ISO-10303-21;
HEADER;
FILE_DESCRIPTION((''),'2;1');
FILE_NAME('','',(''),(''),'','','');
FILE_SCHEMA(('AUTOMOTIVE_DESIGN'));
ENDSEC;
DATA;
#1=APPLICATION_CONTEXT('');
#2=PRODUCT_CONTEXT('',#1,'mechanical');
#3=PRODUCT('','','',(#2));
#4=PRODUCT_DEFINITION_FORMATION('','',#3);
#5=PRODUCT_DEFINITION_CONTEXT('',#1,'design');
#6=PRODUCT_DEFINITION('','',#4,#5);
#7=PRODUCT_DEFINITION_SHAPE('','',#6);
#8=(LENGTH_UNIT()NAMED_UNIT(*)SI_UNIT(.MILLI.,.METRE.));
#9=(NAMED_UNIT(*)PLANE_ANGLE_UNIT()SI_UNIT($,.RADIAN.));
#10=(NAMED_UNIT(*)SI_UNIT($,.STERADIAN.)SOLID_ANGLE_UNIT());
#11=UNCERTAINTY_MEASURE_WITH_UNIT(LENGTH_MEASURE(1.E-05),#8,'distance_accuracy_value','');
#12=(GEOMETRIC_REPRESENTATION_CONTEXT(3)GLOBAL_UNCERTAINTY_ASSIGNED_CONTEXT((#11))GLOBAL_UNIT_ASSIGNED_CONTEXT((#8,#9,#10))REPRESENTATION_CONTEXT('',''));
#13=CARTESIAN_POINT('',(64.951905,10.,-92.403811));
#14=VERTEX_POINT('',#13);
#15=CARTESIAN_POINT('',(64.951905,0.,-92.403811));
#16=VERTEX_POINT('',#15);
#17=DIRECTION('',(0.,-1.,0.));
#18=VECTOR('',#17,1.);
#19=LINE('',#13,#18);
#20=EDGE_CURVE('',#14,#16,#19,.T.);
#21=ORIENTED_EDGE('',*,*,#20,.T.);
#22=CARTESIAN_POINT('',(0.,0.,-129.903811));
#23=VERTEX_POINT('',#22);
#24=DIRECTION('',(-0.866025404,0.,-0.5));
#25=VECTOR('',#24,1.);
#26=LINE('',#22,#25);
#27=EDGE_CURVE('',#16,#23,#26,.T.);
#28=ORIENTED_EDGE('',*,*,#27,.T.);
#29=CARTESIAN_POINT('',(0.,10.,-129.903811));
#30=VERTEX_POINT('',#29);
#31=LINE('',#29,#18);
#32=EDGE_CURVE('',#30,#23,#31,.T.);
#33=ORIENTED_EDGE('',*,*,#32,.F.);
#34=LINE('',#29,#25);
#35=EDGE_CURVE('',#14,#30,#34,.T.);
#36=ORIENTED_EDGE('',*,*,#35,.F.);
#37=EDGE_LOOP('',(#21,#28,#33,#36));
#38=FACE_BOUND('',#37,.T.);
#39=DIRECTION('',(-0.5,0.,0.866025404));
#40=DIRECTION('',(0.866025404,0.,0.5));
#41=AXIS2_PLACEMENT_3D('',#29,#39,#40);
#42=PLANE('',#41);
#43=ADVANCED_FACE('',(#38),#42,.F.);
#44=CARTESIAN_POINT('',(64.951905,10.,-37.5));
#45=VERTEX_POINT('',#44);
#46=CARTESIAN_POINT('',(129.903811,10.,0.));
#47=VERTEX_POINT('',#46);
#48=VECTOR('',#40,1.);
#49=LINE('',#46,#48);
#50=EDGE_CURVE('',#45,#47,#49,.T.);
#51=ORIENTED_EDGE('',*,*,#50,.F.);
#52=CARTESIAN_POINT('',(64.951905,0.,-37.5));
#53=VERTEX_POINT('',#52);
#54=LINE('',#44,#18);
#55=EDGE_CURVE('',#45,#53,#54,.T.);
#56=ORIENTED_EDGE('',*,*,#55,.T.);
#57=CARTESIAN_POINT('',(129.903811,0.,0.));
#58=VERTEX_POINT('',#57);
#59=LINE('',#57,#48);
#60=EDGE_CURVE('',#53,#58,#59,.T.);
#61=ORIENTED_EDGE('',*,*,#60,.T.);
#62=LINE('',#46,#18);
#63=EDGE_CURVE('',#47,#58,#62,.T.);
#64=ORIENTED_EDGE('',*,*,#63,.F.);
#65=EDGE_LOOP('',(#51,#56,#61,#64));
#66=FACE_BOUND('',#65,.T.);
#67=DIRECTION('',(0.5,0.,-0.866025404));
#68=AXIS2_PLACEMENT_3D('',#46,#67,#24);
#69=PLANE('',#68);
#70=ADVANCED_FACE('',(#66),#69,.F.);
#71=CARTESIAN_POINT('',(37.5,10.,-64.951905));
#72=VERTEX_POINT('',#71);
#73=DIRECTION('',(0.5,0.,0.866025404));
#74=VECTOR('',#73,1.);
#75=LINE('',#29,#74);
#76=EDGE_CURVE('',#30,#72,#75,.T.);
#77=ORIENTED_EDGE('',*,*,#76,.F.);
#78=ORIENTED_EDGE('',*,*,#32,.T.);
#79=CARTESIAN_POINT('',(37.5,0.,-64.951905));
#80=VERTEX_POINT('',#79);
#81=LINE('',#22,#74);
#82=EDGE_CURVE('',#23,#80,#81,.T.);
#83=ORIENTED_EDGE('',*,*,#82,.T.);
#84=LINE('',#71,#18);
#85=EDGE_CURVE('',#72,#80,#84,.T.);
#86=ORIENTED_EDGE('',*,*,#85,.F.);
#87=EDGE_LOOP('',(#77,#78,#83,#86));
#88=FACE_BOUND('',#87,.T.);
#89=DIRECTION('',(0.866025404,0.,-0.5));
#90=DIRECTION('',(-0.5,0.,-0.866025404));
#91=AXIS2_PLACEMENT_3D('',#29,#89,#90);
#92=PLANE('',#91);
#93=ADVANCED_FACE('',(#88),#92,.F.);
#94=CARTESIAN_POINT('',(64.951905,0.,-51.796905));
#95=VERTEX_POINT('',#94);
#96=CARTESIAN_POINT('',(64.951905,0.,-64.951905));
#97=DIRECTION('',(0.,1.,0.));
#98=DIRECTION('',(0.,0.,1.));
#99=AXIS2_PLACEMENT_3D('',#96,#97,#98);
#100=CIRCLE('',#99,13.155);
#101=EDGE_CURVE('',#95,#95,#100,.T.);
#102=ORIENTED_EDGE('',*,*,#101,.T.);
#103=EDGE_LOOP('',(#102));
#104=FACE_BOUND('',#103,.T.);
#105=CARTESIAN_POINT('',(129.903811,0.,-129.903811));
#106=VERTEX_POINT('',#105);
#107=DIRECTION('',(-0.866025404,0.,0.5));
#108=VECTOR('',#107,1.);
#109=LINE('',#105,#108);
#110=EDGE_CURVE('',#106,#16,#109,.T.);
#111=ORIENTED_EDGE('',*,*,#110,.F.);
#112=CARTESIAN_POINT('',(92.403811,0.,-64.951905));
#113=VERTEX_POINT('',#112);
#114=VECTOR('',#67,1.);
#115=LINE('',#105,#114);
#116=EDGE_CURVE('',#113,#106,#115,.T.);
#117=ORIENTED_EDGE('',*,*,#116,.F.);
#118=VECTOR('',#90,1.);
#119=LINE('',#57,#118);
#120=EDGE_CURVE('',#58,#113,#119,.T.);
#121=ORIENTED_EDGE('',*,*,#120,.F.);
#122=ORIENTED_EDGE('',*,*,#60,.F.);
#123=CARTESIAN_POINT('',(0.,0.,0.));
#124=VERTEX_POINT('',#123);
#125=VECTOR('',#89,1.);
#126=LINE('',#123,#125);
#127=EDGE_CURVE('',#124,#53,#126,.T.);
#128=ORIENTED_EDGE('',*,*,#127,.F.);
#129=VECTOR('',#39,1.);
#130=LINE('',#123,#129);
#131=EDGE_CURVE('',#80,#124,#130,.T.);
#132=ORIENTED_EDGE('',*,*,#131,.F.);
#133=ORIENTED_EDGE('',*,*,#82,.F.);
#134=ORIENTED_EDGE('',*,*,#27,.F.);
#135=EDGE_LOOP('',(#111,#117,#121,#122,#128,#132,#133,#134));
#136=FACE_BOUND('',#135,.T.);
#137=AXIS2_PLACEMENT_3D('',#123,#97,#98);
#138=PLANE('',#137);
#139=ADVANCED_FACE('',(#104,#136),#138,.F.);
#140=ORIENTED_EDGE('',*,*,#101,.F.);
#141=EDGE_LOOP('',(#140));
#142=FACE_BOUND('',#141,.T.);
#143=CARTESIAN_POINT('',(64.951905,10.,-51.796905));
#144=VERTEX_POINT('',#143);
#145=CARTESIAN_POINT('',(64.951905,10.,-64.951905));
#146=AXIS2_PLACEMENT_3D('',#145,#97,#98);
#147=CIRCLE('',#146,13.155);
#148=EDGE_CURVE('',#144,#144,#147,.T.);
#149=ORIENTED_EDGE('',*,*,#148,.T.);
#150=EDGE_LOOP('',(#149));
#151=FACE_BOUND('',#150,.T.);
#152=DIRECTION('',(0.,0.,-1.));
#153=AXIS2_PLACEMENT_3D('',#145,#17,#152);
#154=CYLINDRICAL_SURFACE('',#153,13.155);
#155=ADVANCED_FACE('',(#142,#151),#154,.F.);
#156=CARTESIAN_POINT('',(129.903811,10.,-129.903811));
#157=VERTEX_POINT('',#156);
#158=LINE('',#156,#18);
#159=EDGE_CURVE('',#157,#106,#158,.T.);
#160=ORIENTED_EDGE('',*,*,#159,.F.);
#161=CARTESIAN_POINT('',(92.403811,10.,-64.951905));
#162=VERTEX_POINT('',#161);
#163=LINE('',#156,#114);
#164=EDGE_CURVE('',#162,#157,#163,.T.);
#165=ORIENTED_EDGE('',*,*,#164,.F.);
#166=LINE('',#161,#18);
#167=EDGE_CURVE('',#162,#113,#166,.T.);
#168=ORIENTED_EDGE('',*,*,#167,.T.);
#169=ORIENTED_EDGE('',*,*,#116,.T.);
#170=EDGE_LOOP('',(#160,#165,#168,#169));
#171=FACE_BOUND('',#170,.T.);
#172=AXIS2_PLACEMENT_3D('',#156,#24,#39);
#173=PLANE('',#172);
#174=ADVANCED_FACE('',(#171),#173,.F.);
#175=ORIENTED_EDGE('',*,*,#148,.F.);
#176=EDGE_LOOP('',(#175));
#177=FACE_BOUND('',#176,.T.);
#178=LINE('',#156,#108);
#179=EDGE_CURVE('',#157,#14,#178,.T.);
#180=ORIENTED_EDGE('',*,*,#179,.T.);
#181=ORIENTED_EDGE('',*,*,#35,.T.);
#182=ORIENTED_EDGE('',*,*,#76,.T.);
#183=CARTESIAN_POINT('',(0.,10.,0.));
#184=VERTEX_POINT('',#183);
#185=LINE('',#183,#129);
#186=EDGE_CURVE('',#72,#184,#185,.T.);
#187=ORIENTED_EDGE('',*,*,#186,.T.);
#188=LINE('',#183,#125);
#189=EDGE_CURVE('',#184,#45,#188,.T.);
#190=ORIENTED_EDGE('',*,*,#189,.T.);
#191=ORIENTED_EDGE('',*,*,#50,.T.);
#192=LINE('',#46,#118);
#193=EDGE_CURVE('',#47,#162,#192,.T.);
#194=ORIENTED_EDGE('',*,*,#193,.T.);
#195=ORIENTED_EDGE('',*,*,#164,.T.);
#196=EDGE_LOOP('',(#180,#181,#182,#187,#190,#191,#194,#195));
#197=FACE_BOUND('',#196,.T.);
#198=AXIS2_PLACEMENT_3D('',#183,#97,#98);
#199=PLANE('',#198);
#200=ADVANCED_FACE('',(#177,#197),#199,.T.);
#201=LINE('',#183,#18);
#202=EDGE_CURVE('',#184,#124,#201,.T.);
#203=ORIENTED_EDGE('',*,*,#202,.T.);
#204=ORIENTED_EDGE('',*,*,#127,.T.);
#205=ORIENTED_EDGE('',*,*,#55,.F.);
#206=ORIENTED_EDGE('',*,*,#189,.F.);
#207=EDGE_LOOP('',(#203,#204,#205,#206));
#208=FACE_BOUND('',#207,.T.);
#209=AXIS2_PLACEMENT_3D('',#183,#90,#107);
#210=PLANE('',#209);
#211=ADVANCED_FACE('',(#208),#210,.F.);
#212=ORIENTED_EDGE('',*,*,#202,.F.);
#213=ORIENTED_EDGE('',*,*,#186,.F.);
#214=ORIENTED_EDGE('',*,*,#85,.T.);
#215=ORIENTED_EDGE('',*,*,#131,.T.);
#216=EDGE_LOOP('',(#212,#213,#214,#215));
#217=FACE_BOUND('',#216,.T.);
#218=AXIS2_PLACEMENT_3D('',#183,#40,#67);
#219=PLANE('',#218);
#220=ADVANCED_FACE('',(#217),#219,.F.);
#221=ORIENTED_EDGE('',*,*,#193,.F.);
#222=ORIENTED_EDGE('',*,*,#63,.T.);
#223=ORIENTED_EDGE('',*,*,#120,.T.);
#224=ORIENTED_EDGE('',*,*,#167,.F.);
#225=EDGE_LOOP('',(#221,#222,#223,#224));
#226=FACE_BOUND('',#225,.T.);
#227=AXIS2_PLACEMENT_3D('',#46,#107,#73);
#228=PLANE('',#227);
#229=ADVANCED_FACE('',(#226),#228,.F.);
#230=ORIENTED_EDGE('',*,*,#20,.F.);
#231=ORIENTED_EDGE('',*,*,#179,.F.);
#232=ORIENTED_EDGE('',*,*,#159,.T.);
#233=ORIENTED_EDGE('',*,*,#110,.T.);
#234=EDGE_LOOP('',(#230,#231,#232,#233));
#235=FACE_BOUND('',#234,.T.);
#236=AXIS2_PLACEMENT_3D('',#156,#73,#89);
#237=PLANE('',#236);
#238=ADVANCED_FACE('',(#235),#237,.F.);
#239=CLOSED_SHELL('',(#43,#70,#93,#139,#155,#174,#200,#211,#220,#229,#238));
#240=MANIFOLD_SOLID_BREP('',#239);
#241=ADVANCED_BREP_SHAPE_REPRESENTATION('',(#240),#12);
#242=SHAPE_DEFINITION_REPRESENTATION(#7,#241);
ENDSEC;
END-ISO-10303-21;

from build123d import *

# Parameters (mm, degrees)
SKETCH1_R           = 13.155
BOSS_EXTRUDE1_DEPTH = 10


with BuildPart() as part:
    # Sketch1 → Boss-Extrude1 (new body)
    with BuildSketch(Plane(origin=(0, 0, 0), x_dir=(1, 0, 0), z_dir=(0, 1, 0))):
        Polygon((0, 0), (37.5, 64.951905284), (0, 129.903810568), (64.951905284, 92.403810568), (129.903810568, 129.903810568), (92.403810568, 64.951905284), (129.903810568, 0), (64.951905284, 37.5), align=None)
        with Locations(Location((64.951905284, 64.951905284, 0), (0, 0, 270))):
            Circle(SKETCH1_R, mode=Mode.SUBTRACT)
    extrude(amount=BOSS_EXTRUDE1_DEPTH)


solid = part.part
